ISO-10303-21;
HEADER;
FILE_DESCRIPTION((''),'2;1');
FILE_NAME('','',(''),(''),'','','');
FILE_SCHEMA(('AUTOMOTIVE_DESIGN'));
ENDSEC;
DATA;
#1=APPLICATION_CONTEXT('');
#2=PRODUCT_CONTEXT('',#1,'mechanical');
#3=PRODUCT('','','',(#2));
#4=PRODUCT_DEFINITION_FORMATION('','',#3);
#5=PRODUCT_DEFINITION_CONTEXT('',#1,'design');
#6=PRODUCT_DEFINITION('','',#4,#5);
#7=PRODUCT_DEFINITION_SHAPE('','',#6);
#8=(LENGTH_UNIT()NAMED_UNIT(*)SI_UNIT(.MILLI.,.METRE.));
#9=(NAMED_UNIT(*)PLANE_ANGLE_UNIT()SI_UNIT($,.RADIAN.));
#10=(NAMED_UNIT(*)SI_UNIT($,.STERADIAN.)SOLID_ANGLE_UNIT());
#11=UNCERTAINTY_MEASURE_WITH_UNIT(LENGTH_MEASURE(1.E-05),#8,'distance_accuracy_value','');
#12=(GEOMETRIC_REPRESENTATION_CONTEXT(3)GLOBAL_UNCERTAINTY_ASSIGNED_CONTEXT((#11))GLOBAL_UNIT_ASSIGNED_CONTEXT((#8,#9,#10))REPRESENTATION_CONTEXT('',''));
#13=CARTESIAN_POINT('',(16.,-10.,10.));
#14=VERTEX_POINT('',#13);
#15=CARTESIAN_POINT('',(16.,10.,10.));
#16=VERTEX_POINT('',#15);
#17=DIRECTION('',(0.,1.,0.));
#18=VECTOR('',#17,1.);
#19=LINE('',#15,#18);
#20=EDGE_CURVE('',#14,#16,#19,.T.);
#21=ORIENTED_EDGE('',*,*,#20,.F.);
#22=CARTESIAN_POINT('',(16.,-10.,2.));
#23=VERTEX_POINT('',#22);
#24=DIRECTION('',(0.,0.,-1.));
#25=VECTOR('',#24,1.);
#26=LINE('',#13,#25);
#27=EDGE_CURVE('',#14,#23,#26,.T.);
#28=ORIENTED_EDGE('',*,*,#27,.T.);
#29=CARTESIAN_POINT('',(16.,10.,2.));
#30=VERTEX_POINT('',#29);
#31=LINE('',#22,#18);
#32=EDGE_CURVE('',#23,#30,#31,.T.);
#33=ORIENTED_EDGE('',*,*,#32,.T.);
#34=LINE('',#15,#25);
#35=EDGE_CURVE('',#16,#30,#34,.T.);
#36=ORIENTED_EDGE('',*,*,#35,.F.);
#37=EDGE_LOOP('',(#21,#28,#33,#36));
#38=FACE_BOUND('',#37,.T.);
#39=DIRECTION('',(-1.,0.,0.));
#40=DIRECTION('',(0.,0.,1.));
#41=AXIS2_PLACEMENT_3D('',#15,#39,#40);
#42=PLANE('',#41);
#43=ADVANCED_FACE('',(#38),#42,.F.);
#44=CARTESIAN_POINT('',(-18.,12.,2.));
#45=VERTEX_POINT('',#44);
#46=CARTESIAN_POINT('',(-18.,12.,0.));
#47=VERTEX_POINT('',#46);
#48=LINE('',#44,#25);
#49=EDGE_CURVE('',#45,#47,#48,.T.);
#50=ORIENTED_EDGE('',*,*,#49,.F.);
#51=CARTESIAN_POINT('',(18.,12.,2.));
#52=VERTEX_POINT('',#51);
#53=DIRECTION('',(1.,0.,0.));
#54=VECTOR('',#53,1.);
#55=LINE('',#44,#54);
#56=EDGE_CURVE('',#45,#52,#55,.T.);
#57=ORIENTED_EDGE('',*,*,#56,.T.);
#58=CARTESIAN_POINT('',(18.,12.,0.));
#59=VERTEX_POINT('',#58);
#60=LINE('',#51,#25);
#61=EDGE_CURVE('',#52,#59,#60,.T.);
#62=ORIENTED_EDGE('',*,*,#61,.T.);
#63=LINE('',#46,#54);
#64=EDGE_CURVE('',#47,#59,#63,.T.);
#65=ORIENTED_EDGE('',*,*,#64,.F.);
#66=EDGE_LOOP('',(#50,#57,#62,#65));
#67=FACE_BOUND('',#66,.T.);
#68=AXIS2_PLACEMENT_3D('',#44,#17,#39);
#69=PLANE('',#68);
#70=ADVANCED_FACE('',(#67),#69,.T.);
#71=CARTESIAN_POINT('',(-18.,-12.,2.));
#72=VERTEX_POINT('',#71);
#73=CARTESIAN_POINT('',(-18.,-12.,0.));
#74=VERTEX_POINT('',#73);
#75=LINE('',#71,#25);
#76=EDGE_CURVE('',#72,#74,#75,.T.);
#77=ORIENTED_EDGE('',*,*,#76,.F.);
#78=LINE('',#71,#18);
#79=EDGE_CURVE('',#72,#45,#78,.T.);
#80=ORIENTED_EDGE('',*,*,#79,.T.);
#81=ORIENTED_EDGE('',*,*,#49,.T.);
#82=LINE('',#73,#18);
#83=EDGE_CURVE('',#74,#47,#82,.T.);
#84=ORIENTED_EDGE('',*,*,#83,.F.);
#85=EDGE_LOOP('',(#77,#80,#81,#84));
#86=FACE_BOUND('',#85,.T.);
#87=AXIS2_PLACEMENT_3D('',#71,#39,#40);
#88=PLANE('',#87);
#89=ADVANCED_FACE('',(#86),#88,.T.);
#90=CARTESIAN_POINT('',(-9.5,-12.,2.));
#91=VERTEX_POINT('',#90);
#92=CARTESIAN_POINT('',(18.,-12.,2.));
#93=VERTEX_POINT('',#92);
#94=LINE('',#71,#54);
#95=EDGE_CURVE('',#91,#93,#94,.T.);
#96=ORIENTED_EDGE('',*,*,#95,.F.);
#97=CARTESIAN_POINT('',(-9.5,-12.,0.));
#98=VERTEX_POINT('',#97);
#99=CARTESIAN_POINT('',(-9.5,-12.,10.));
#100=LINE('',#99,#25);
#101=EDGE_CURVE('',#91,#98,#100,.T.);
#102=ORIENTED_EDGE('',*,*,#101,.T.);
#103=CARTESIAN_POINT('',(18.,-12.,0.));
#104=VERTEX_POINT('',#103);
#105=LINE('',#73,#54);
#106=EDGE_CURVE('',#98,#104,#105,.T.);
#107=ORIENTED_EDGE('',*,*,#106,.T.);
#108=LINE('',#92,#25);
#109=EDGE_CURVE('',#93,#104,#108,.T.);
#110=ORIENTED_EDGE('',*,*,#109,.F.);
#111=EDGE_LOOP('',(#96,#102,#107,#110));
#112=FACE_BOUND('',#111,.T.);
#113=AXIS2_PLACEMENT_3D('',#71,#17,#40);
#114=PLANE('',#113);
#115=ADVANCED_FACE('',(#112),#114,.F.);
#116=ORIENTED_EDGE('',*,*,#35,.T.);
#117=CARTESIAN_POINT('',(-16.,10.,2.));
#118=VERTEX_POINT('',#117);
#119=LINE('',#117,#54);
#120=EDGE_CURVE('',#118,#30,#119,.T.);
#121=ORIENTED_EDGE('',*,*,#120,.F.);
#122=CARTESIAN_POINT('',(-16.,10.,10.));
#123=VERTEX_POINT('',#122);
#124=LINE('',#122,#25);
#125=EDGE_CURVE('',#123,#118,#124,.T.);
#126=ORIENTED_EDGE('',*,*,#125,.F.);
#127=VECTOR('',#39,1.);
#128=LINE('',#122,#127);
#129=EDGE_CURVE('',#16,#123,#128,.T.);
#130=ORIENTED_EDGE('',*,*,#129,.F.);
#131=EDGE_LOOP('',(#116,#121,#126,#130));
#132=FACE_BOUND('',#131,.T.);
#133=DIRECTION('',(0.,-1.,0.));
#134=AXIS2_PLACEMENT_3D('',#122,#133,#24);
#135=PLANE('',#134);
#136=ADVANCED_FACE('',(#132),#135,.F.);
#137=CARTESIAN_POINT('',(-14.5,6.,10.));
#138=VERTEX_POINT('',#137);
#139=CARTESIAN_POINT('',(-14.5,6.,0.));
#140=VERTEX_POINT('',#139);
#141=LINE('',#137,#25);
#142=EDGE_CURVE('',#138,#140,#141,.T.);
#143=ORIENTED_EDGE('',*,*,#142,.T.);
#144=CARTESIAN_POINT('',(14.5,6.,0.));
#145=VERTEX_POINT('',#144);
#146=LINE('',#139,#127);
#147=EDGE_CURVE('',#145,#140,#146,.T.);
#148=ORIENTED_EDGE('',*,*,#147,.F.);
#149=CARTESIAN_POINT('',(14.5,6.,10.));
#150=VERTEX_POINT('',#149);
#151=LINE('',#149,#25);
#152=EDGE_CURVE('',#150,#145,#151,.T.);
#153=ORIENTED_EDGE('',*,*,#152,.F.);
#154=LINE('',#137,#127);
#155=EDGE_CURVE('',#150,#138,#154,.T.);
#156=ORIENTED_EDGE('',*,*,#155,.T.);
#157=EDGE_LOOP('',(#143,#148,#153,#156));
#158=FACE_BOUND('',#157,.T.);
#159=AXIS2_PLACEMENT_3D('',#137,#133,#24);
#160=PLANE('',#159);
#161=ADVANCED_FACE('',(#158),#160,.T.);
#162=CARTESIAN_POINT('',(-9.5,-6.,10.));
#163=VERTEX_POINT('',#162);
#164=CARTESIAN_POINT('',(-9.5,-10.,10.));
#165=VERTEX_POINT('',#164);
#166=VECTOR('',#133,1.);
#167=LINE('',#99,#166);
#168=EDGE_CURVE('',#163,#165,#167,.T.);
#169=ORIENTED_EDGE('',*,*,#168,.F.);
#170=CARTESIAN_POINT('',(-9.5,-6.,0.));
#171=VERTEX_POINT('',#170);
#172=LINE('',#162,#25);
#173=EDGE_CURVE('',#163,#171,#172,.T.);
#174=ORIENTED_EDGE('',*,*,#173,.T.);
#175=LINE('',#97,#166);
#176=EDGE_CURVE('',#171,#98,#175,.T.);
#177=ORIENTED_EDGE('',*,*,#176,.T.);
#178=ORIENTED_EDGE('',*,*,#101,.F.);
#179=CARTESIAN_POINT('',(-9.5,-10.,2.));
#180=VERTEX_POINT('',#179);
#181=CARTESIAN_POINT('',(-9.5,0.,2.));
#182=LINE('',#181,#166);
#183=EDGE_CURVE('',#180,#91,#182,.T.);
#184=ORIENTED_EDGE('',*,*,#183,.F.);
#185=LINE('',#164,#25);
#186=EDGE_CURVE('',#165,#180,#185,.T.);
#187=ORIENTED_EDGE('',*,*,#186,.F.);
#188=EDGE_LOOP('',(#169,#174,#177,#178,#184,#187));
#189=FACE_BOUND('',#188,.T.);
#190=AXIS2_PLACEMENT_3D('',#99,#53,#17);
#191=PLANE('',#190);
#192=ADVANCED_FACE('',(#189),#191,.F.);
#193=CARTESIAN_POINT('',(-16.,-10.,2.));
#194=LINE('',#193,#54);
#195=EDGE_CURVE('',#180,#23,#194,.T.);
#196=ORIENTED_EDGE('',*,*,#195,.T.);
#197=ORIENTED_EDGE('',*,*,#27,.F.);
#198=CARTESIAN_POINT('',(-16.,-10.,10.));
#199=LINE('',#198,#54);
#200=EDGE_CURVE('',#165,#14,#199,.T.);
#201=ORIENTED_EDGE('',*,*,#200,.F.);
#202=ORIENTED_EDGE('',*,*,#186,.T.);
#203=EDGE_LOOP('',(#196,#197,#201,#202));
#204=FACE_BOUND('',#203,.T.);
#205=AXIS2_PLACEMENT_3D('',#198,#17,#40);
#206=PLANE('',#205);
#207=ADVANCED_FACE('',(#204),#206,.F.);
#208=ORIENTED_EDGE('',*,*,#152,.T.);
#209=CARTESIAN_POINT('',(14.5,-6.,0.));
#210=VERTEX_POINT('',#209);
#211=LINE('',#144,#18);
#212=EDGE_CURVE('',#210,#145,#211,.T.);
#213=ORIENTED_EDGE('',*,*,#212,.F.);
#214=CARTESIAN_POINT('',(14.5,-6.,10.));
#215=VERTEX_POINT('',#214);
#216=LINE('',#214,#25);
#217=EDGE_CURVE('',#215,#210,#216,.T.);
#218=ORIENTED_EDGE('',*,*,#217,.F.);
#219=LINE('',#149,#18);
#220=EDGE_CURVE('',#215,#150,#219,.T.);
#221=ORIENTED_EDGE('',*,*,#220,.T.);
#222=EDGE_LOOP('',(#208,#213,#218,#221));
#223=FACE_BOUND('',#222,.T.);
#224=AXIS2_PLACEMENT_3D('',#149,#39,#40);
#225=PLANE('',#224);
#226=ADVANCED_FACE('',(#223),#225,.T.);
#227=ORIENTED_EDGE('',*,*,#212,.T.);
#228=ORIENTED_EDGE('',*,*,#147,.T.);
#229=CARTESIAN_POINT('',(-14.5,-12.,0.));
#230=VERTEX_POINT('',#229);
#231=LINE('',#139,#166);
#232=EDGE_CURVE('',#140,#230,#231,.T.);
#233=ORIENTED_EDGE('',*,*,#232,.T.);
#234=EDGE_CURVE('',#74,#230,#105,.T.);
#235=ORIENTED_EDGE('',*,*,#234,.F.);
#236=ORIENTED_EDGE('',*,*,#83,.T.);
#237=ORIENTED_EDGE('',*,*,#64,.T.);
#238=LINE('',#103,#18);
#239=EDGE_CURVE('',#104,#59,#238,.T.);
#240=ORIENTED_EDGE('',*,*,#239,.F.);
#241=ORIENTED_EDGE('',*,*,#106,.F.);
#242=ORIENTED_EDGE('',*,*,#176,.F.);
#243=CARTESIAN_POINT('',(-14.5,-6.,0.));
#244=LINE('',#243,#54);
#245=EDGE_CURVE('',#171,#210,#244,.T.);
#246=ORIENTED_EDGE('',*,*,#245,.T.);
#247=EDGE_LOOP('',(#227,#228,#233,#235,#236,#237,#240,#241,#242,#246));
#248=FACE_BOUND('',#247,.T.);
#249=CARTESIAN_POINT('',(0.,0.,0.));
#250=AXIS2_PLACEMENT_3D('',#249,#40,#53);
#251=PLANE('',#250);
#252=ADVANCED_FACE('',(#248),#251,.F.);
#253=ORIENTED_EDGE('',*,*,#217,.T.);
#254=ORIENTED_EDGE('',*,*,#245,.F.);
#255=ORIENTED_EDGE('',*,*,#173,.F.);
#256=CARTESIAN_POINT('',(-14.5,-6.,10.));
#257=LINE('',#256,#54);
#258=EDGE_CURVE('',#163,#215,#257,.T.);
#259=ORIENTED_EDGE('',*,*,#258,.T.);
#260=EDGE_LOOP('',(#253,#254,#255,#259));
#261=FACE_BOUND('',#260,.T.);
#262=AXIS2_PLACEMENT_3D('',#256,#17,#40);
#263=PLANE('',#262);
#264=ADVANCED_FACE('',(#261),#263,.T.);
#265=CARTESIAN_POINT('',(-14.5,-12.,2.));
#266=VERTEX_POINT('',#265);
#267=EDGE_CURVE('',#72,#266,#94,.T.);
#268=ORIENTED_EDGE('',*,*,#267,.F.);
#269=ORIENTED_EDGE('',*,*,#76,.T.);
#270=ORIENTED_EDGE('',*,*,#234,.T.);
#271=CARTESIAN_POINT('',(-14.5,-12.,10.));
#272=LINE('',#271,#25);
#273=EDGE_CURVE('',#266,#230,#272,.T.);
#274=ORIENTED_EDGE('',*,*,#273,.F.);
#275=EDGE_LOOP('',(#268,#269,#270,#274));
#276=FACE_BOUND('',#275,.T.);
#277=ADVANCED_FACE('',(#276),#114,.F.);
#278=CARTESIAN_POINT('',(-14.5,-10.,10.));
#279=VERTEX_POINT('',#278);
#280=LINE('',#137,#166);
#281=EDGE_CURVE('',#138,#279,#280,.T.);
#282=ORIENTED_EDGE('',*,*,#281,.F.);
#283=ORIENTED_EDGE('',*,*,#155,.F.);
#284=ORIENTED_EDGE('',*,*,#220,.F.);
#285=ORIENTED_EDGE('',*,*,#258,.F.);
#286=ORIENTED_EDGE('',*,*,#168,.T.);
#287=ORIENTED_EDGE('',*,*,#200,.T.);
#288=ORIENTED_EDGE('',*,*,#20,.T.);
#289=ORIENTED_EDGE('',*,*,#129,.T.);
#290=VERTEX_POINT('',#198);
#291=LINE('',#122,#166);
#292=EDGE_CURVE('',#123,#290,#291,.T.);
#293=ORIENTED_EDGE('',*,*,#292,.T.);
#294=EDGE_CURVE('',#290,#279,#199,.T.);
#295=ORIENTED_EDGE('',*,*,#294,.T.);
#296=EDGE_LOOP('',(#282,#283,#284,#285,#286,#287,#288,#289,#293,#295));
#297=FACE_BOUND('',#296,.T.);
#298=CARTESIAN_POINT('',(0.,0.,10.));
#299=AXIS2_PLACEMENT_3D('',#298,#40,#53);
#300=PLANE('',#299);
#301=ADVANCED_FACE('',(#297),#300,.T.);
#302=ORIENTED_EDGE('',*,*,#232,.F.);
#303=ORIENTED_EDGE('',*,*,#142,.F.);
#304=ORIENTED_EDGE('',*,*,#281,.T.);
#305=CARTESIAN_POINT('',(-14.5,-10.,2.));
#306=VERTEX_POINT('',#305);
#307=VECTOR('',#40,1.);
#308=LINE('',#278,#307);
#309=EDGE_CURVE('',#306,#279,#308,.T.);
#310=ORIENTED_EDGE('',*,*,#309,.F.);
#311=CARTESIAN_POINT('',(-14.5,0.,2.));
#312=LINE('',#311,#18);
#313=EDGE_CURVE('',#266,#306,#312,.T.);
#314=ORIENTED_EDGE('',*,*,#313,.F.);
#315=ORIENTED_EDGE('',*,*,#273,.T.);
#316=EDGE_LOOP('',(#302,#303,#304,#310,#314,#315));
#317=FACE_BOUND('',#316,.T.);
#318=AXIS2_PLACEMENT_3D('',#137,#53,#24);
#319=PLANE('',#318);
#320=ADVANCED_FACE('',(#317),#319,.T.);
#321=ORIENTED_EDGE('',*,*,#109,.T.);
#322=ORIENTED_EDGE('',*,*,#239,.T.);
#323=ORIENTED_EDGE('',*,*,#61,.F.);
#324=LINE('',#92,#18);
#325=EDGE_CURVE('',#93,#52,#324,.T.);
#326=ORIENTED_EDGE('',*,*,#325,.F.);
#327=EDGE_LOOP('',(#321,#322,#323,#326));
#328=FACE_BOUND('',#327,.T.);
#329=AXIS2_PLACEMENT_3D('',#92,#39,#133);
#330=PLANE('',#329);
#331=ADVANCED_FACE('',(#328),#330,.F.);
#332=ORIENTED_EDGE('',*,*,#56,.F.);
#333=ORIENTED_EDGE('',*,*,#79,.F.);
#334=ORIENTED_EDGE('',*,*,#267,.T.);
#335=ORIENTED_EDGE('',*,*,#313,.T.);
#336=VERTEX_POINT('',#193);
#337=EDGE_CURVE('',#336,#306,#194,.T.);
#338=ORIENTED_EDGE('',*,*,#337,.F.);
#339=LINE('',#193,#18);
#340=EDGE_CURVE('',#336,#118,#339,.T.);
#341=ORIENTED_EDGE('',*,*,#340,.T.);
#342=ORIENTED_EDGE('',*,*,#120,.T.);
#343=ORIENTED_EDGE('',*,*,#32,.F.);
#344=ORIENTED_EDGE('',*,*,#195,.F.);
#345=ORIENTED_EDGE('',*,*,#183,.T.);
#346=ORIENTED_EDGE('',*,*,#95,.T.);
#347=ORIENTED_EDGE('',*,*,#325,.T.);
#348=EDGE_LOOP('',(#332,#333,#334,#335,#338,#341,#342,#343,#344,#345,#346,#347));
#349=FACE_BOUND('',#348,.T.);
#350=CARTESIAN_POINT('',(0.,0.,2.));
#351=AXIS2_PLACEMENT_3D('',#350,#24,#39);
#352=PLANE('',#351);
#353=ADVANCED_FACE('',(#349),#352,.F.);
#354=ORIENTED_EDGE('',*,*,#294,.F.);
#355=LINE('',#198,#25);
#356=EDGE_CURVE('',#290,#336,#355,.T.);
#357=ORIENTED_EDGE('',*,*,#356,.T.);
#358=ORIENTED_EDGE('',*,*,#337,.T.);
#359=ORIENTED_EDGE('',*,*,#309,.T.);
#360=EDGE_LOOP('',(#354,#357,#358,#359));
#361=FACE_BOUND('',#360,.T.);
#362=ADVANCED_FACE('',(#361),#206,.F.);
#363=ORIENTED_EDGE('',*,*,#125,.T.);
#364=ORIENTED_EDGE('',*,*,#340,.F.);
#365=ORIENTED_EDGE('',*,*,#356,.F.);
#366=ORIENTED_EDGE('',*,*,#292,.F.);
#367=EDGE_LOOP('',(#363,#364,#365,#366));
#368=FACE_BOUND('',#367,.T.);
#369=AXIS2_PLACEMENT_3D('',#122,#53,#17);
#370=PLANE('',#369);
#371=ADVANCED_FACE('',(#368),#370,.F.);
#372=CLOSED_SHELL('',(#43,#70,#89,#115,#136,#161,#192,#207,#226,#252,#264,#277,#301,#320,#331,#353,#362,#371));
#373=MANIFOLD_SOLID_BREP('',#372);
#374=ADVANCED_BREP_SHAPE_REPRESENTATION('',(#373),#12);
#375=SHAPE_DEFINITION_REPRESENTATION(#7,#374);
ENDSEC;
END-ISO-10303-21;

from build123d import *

# Parameters (mm, degrees)
SKETCH1_W           = 32
SKETCH1_H           = 20
SKETCH1_W_2         = 29
SKETCH1_H_2         = 12
BOSS_EXTRUDE1_DEPTH = 10
SKETCH2_W           = 36
SKETCH2_H           = 24
SKETCH2_W_2         = 32
SKETCH2_H_2         = 20
BOSS_EXTRUDE2_DEPTH = 2
SKETCH3_W           = 5
SKETCH3_H           = 6
CUT_EXTRUDE2_DEPTH  = 24.832750576


with BuildPart() as part:
    # Sketch1 → Boss-Extrude1 (new body)
    with BuildSketch(Plane.XY):
        Rectangle(SKETCH1_W, SKETCH1_H)
        Rectangle(SKETCH1_W_2, SKETCH1_H_2, mode=Mode.SUBTRACT)
    extrude(amount=BOSS_EXTRUDE1_DEPTH)

    # Sketch2 → Boss-Extrude2 (add)
    with BuildSketch(Plane(origin=(0, 0, 0), x_dir=(-1, 0, 0), z_dir=(0, 0, -1))):
        Rectangle(SKETCH2_W, SKETCH2_H)
        Rectangle(SKETCH2_W_2, SKETCH2_H_2, mode=Mode.SUBTRACT)
    extrude(amount=-BOSS_EXTRUDE2_DEPTH)

    # Sketch3 → Cut-Extrude2 (cut, through all)
    with BuildSketch(Plane(origin=(0, 0, 0), x_dir=(-1, 0, 0), z_dir=(0, 0, -1))):
        with Locations((12, -9)):
            Rectangle(SKETCH3_W, SKETCH3_H)
    extrude(amount=-CUT_EXTRUDE2_DEPTH, mode=Mode.SUBTRACT)


solid = part.part
